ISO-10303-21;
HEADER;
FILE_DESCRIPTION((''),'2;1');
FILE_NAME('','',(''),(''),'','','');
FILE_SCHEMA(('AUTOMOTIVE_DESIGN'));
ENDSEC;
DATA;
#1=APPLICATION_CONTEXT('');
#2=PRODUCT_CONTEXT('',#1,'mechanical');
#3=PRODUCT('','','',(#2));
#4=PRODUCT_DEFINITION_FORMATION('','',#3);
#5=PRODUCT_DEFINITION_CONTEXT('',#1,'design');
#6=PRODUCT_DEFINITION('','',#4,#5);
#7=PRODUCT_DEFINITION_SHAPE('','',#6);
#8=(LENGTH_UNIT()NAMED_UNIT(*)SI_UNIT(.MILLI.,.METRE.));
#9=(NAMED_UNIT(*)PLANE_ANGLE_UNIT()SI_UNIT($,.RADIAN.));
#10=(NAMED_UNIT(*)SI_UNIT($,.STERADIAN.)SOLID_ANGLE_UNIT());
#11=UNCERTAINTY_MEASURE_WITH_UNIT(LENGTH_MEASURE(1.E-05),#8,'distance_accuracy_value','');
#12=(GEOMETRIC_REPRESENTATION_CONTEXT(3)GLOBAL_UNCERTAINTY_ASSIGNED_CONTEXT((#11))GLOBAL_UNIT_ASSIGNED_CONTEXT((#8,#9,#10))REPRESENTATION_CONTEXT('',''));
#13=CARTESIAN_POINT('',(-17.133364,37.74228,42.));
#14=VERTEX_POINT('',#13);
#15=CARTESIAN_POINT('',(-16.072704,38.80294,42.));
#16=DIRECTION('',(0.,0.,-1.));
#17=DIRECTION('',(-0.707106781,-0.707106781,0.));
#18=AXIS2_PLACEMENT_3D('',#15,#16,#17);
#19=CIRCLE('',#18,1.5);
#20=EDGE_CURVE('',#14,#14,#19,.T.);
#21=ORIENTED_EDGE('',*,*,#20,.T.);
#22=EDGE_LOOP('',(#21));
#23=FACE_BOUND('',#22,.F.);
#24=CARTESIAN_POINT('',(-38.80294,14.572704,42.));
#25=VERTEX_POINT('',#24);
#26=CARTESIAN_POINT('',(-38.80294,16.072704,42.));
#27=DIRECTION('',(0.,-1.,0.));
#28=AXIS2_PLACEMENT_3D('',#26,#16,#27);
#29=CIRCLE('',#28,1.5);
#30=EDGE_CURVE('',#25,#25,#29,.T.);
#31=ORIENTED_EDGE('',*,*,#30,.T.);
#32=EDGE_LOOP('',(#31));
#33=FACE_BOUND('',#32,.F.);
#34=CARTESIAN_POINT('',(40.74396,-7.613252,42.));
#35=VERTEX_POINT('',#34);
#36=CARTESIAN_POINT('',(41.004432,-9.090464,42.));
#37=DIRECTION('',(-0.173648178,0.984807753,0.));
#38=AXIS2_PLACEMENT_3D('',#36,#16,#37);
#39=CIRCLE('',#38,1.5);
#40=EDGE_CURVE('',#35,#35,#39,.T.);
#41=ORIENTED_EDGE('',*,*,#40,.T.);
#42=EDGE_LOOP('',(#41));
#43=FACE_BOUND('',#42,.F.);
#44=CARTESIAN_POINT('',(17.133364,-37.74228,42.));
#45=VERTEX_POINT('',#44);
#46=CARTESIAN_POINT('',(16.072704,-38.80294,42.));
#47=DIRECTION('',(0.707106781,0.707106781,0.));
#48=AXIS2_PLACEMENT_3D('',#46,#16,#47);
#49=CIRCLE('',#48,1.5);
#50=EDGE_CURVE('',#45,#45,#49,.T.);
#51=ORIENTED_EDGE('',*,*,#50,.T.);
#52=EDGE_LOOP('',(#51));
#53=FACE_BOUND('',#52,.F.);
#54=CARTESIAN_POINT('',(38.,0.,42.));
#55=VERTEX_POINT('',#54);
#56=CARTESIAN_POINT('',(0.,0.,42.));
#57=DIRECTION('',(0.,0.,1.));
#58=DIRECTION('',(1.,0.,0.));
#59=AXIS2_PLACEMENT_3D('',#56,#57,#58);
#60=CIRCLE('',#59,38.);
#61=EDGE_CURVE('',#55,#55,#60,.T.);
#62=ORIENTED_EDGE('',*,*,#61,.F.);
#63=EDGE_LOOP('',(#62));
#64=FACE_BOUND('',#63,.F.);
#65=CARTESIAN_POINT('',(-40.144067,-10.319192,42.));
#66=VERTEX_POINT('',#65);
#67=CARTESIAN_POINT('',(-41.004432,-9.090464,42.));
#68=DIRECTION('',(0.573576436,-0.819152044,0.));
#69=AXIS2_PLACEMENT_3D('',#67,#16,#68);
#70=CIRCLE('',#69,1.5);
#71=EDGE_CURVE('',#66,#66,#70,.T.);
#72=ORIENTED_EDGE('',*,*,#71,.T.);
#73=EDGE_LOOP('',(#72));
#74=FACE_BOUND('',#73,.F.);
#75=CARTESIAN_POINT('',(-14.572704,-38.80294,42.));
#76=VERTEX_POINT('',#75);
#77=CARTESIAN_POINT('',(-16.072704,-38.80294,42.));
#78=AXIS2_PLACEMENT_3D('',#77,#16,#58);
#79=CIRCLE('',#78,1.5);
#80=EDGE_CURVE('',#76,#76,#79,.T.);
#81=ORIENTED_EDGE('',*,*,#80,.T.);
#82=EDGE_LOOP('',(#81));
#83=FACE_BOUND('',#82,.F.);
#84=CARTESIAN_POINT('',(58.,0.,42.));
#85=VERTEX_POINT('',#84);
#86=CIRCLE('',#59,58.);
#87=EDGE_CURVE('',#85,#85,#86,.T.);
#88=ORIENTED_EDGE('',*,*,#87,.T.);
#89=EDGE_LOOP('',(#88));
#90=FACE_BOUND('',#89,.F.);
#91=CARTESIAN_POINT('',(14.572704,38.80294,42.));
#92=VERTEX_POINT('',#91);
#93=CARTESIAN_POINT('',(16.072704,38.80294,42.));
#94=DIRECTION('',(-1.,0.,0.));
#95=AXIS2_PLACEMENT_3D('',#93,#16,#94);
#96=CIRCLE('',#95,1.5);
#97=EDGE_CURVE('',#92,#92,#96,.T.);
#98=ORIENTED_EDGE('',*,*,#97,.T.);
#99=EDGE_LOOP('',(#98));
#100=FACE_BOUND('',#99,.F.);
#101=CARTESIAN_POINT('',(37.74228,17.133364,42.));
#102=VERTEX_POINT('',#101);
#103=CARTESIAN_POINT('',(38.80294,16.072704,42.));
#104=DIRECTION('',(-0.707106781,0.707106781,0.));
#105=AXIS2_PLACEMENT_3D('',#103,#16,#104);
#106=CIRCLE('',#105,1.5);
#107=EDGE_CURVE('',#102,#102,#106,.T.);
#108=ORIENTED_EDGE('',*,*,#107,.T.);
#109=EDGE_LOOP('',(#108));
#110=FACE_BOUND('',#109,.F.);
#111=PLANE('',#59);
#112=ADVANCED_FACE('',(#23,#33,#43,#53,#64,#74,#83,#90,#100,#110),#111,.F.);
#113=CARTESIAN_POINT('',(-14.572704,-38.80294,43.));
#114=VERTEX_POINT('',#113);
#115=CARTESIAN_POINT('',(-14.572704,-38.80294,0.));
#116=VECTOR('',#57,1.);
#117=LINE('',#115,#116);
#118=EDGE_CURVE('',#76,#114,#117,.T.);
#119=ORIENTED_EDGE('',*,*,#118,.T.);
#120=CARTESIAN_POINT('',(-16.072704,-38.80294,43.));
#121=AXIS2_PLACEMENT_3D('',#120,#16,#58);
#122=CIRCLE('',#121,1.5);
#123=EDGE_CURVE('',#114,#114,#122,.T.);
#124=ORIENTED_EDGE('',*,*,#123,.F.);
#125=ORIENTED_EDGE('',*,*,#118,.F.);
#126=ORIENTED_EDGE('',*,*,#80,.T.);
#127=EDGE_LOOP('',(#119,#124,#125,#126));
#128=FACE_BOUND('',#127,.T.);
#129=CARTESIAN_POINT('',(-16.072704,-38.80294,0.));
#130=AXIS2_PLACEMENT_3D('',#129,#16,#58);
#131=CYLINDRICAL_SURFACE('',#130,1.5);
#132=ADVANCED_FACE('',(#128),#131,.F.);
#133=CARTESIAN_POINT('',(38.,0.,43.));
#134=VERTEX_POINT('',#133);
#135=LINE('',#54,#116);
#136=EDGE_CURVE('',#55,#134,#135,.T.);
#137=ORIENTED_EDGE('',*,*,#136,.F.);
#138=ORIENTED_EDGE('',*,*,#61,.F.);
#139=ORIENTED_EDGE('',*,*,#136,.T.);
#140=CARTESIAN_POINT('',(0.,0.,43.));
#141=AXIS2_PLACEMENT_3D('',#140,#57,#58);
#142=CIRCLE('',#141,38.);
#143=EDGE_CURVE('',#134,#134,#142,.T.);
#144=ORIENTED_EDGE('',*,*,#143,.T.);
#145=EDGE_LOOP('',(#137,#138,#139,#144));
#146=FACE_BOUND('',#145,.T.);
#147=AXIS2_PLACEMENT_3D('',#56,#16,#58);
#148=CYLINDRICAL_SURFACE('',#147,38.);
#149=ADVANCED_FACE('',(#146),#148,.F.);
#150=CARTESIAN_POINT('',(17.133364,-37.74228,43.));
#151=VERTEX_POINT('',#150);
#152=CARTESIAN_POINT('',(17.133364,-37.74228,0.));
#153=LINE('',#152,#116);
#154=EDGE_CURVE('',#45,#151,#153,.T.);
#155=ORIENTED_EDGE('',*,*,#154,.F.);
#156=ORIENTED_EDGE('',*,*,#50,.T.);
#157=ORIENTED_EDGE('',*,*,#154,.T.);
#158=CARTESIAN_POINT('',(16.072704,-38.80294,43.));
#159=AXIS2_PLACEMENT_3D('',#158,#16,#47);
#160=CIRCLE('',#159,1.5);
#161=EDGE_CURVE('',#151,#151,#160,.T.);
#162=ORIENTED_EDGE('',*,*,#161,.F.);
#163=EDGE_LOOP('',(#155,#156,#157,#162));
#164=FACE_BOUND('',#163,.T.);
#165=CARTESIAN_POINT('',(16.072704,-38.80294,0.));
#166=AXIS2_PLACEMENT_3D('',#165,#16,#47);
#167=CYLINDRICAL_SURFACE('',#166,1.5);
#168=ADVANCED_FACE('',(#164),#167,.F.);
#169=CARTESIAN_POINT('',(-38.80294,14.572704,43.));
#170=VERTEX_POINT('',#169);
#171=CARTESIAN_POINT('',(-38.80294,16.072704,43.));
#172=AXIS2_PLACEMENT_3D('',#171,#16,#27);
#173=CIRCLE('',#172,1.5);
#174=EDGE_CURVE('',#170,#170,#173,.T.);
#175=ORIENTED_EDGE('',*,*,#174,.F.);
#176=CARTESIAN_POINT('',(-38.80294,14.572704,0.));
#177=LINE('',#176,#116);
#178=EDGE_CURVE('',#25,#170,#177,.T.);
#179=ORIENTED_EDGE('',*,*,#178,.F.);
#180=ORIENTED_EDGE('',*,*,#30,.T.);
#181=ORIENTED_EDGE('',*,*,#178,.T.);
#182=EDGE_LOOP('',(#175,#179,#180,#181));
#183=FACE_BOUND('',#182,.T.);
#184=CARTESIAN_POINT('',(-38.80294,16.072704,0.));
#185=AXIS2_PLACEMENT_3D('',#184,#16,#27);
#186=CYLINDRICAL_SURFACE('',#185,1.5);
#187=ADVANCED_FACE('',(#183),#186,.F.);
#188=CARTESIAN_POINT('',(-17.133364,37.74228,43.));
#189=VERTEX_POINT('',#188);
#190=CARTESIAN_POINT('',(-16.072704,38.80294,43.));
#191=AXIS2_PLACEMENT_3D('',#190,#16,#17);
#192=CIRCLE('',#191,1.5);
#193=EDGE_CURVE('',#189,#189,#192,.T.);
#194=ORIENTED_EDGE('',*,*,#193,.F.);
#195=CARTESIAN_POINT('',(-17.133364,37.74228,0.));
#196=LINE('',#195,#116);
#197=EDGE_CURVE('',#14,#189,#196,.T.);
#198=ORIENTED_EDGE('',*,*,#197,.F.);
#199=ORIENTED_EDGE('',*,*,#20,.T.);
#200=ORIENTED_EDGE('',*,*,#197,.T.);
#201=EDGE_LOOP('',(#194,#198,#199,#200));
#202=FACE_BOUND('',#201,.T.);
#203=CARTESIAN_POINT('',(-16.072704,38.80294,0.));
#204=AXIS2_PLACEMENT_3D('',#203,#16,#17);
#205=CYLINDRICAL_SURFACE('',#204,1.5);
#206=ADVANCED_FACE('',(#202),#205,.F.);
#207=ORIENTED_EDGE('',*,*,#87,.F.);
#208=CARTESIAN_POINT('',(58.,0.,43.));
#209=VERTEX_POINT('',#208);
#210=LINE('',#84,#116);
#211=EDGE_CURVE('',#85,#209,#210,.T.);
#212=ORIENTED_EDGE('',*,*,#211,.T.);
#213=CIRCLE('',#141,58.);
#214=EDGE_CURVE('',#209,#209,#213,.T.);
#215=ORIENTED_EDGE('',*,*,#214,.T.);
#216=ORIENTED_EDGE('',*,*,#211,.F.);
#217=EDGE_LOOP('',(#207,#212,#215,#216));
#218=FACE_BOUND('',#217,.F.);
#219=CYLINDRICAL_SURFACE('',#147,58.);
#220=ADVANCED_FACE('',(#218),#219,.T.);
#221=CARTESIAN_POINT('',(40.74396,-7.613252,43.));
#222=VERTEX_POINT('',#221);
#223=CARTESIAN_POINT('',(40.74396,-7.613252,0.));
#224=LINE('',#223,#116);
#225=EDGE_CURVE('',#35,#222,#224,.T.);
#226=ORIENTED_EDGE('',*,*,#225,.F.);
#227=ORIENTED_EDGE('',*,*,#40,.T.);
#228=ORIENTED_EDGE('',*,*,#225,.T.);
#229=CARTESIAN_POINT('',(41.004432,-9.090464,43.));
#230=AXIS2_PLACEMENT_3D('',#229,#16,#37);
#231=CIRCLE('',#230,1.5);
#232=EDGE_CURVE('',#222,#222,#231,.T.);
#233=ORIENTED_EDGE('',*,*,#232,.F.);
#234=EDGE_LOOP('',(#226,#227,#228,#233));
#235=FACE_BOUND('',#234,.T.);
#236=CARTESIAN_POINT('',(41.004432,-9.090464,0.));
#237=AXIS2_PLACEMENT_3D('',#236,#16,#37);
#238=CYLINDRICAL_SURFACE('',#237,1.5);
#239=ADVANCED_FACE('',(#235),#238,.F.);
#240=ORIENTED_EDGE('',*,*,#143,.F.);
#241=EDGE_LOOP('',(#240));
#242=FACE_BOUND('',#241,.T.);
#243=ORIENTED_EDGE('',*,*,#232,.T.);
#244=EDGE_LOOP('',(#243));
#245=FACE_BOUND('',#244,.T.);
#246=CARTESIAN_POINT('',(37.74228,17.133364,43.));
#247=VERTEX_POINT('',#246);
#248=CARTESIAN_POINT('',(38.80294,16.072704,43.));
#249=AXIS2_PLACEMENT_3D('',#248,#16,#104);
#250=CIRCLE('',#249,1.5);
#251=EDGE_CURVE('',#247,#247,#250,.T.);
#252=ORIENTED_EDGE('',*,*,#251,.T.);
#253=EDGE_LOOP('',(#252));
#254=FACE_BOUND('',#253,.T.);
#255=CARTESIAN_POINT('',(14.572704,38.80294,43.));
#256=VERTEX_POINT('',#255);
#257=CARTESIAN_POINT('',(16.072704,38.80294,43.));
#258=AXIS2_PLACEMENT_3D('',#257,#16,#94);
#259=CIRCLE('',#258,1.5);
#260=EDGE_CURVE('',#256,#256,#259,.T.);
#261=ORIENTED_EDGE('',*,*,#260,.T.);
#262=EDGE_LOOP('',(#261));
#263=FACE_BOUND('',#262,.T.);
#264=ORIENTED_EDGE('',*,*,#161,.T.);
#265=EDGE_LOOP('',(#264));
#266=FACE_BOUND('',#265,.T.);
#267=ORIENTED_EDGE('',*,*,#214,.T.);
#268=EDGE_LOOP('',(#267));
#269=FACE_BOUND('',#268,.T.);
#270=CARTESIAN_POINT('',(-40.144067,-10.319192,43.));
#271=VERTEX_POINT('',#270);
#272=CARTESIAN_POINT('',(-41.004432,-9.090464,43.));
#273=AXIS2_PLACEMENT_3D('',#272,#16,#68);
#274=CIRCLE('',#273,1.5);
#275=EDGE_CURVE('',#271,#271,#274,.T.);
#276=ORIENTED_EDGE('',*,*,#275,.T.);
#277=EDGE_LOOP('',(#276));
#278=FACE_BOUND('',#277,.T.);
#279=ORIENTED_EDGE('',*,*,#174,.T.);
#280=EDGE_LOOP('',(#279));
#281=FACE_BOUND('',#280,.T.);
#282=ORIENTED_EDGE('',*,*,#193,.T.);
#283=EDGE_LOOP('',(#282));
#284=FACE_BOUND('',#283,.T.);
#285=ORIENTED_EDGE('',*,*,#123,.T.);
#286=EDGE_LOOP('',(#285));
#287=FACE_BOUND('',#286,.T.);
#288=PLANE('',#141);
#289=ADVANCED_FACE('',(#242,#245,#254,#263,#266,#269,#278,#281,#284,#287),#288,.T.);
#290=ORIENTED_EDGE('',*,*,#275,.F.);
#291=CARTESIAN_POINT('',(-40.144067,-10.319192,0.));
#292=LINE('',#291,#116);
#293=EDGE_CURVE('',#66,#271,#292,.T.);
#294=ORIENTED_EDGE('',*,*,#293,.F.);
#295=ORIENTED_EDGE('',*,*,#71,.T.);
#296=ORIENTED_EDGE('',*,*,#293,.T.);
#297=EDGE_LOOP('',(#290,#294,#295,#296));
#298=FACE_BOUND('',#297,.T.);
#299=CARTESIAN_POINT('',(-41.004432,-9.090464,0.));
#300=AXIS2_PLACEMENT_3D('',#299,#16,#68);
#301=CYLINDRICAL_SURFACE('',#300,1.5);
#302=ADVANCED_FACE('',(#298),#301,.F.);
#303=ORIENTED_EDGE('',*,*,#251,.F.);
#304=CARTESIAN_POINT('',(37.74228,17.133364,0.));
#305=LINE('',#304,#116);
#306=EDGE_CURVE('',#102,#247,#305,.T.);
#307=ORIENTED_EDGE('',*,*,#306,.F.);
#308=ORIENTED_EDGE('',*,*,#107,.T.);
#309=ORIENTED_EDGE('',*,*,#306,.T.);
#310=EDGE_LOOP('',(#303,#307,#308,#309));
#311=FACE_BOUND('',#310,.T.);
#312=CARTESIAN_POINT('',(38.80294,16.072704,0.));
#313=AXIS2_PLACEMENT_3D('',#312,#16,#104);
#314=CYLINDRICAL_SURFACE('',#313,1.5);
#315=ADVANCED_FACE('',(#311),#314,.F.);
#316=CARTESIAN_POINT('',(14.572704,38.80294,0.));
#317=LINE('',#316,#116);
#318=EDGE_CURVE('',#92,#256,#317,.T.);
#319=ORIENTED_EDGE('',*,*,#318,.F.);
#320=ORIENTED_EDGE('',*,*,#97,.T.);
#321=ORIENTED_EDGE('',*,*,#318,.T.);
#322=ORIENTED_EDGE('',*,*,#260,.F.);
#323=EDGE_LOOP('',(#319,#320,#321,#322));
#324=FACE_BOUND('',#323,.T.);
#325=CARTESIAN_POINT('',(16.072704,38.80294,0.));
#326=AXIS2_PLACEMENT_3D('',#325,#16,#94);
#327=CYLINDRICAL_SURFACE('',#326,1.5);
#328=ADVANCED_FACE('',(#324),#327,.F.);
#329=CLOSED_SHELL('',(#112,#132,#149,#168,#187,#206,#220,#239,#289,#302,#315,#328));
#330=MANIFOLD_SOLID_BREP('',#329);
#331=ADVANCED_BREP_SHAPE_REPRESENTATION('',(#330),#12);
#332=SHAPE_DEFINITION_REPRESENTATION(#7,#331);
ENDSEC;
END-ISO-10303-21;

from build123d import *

# Parameters (mm, degrees)
CYLINDER757_R               = 1.5
CYLINDER757_DEPTH           = 100
CYLINDER757_PLACEMENT_ANGLE = 100
CYLINDER755_R               = 1.5
CYLINDER755_DEPTH           = 100
CYLINDER755_PLACEMENT_ANGLE = 135
CYLINDER759_R               = 1.5
CYLINDER759_DEPTH           = 100
CYLINDER761_R               = 1.5
CYLINDER761_DEPTH           = 100
CYLINDER761_PLACEMENT_ANGLE = 225
CYLINDER754_R               = 1.5
CYLINDER754_DEPTH           = 100
CYLINDER758_R               = 1.5
CYLINDER758_DEPTH           = 100
CYLINDER758_PLACEMENT_ANGLE = 55
CYLINDER756_R               = 1.5
CYLINDER756_DEPTH           = 100
CYLINDER760_R               = 1.5
CYLINDER760_DEPTH           = 100
CYLINDER760_PLACEMENT_ANGLE = 45
TUBE079_R                   = 58
TUBE079_R_2                 = 38
TUBE079_DEPTH               = 1


with BuildPart() as v_lec757:
    # Cylinder757 → Cylinder757 (new body)
    with BuildSketch(Plane.XY):
        Circle(CYLINDER757_R)
    extrude(amount=CYLINDER757_DEPTH)


with BuildPart() as v_lec757_1:
    # Cylinder757 placement: moved
    add(v_lec757.part.moved(Location((41.004432, -9.090464, 0))).rotate(Axis((41.004432, -9.090464, 0), (0, 0, 1)), CYLINDER757_PLACEMENT_ANGLE))


with BuildPart() as v_lec755:
    # Cylinder755 → Cylinder755 (new body)
    with BuildSketch(Plane.XY):
        Circle(CYLINDER755_R)
    extrude(amount=CYLINDER755_DEPTH)


with BuildPart() as v_lec755_1:
    # Cylinder755 placement: moved
    add(v_lec755.part.moved(Location((38.80294, 16.072704, 0))).rotate(Axis((38.80294, 16.072704, 0), (0, 0, 1)), CYLINDER755_PLACEMENT_ANGLE))


with BuildPart() as v_lec759:
    # Cylinder759 → Cylinder759 (new body)
    with BuildSketch(Plane(origin=(16.072704, 38.80294, 0), x_dir=(-1, 0, 0), z_dir=(0, 0, 1))):
        Circle(CYLINDER759_R)
    extrude(amount=CYLINDER759_DEPTH)


with BuildPart() as v_lec761:
    # Cylinder761 → Cylinder761 (new body)
    with BuildSketch(Plane.XY):
        Circle(CYLINDER761_R)
    extrude(amount=CYLINDER761_DEPTH)


with BuildPart() as v_lec761_1:
    # Cylinder761 placement: moved
    add(v_lec761.part.moved(Location((-16.072704, 38.80294, 0))).rotate(Axis((-16.072704, 38.80294, 0), (0, 0, 1)), CYLINDER761_PLACEMENT_ANGLE))


with BuildPart() as v_lec754:
    # Cylinder754 → Cylinder754 (new body)
    with BuildSketch(Plane(origin=(-38.80294, 16.072704, 0), x_dir=(0, -1, 0), z_dir=(0, 0, 1))):
        Circle(CYLINDER754_R)
    extrude(amount=CYLINDER754_DEPTH)


with BuildPart() as v_lec758:
    # Cylinder758 → Cylinder758 (new body)
    with BuildSketch(Plane.XY):
        Circle(CYLINDER758_R)
    extrude(amount=CYLINDER758_DEPTH)


with BuildPart() as v_lec758_1:
    # Cylinder758 placement: moved
    add(v_lec758.part.moved(Location((-41.004432, -9.090464, 0))).rotate(Axis((-41.004432, -9.090464, 0), (0, 0, -1)), CYLINDER758_PLACEMENT_ANGLE))


with BuildPart() as v_lec756:
    # Cylinder756 → Cylinder756 (new body)
    with BuildSketch(Plane(origin=(-16.072704, -38.80294, 0), x_dir=(1, 0, 0), z_dir=(0, 0, 1))):
        Circle(CYLINDER756_R)
    extrude(amount=CYLINDER756_DEPTH)


with BuildPart() as compound709:
    # Cylinder760 → Cylinder760 (new body)
    with BuildSketch(Plane.XY):
        Circle(CYLINDER760_R)
    extrude(amount=CYLINDER760_DEPTH)


with BuildPart() as compound709_1:
    # Cylinder760 placement: moved
    add(compound709.part.moved(Location((16.072704, -38.80294, 0))).rotate(Axis((16.072704, -38.80294, 0), (0, 0, 1)), CYLINDER760_PLACEMENT_ANGLE))

    # Compound709: union Válec757, Válec755, Válec759, Válec761, Válec754, Válec758, Válec756
    add(v_lec757_1.part)
    add(v_lec755_1.part)
    add(v_lec759.part)
    add(v_lec761_1.part)
    add(v_lec754.part)
    add(v_lec758_1.part)
    add(v_lec756.part)


with BuildPart() as bazovina_part_f_washer:
    # Tube079 → Tube079 (new body)
    with BuildSketch(Plane.XY.offset(42)):
        Circle(TUBE079_R)
        Circle(TUBE079_R_2, mode=Mode.SUBTRACT)
    extrude(amount=TUBE079_DEPTH)

    # Cut325: cut Compound709
    add(compound709_1.part, mode=Mode.SUBTRACT)


solid = bazovina_part_f_washer.part
